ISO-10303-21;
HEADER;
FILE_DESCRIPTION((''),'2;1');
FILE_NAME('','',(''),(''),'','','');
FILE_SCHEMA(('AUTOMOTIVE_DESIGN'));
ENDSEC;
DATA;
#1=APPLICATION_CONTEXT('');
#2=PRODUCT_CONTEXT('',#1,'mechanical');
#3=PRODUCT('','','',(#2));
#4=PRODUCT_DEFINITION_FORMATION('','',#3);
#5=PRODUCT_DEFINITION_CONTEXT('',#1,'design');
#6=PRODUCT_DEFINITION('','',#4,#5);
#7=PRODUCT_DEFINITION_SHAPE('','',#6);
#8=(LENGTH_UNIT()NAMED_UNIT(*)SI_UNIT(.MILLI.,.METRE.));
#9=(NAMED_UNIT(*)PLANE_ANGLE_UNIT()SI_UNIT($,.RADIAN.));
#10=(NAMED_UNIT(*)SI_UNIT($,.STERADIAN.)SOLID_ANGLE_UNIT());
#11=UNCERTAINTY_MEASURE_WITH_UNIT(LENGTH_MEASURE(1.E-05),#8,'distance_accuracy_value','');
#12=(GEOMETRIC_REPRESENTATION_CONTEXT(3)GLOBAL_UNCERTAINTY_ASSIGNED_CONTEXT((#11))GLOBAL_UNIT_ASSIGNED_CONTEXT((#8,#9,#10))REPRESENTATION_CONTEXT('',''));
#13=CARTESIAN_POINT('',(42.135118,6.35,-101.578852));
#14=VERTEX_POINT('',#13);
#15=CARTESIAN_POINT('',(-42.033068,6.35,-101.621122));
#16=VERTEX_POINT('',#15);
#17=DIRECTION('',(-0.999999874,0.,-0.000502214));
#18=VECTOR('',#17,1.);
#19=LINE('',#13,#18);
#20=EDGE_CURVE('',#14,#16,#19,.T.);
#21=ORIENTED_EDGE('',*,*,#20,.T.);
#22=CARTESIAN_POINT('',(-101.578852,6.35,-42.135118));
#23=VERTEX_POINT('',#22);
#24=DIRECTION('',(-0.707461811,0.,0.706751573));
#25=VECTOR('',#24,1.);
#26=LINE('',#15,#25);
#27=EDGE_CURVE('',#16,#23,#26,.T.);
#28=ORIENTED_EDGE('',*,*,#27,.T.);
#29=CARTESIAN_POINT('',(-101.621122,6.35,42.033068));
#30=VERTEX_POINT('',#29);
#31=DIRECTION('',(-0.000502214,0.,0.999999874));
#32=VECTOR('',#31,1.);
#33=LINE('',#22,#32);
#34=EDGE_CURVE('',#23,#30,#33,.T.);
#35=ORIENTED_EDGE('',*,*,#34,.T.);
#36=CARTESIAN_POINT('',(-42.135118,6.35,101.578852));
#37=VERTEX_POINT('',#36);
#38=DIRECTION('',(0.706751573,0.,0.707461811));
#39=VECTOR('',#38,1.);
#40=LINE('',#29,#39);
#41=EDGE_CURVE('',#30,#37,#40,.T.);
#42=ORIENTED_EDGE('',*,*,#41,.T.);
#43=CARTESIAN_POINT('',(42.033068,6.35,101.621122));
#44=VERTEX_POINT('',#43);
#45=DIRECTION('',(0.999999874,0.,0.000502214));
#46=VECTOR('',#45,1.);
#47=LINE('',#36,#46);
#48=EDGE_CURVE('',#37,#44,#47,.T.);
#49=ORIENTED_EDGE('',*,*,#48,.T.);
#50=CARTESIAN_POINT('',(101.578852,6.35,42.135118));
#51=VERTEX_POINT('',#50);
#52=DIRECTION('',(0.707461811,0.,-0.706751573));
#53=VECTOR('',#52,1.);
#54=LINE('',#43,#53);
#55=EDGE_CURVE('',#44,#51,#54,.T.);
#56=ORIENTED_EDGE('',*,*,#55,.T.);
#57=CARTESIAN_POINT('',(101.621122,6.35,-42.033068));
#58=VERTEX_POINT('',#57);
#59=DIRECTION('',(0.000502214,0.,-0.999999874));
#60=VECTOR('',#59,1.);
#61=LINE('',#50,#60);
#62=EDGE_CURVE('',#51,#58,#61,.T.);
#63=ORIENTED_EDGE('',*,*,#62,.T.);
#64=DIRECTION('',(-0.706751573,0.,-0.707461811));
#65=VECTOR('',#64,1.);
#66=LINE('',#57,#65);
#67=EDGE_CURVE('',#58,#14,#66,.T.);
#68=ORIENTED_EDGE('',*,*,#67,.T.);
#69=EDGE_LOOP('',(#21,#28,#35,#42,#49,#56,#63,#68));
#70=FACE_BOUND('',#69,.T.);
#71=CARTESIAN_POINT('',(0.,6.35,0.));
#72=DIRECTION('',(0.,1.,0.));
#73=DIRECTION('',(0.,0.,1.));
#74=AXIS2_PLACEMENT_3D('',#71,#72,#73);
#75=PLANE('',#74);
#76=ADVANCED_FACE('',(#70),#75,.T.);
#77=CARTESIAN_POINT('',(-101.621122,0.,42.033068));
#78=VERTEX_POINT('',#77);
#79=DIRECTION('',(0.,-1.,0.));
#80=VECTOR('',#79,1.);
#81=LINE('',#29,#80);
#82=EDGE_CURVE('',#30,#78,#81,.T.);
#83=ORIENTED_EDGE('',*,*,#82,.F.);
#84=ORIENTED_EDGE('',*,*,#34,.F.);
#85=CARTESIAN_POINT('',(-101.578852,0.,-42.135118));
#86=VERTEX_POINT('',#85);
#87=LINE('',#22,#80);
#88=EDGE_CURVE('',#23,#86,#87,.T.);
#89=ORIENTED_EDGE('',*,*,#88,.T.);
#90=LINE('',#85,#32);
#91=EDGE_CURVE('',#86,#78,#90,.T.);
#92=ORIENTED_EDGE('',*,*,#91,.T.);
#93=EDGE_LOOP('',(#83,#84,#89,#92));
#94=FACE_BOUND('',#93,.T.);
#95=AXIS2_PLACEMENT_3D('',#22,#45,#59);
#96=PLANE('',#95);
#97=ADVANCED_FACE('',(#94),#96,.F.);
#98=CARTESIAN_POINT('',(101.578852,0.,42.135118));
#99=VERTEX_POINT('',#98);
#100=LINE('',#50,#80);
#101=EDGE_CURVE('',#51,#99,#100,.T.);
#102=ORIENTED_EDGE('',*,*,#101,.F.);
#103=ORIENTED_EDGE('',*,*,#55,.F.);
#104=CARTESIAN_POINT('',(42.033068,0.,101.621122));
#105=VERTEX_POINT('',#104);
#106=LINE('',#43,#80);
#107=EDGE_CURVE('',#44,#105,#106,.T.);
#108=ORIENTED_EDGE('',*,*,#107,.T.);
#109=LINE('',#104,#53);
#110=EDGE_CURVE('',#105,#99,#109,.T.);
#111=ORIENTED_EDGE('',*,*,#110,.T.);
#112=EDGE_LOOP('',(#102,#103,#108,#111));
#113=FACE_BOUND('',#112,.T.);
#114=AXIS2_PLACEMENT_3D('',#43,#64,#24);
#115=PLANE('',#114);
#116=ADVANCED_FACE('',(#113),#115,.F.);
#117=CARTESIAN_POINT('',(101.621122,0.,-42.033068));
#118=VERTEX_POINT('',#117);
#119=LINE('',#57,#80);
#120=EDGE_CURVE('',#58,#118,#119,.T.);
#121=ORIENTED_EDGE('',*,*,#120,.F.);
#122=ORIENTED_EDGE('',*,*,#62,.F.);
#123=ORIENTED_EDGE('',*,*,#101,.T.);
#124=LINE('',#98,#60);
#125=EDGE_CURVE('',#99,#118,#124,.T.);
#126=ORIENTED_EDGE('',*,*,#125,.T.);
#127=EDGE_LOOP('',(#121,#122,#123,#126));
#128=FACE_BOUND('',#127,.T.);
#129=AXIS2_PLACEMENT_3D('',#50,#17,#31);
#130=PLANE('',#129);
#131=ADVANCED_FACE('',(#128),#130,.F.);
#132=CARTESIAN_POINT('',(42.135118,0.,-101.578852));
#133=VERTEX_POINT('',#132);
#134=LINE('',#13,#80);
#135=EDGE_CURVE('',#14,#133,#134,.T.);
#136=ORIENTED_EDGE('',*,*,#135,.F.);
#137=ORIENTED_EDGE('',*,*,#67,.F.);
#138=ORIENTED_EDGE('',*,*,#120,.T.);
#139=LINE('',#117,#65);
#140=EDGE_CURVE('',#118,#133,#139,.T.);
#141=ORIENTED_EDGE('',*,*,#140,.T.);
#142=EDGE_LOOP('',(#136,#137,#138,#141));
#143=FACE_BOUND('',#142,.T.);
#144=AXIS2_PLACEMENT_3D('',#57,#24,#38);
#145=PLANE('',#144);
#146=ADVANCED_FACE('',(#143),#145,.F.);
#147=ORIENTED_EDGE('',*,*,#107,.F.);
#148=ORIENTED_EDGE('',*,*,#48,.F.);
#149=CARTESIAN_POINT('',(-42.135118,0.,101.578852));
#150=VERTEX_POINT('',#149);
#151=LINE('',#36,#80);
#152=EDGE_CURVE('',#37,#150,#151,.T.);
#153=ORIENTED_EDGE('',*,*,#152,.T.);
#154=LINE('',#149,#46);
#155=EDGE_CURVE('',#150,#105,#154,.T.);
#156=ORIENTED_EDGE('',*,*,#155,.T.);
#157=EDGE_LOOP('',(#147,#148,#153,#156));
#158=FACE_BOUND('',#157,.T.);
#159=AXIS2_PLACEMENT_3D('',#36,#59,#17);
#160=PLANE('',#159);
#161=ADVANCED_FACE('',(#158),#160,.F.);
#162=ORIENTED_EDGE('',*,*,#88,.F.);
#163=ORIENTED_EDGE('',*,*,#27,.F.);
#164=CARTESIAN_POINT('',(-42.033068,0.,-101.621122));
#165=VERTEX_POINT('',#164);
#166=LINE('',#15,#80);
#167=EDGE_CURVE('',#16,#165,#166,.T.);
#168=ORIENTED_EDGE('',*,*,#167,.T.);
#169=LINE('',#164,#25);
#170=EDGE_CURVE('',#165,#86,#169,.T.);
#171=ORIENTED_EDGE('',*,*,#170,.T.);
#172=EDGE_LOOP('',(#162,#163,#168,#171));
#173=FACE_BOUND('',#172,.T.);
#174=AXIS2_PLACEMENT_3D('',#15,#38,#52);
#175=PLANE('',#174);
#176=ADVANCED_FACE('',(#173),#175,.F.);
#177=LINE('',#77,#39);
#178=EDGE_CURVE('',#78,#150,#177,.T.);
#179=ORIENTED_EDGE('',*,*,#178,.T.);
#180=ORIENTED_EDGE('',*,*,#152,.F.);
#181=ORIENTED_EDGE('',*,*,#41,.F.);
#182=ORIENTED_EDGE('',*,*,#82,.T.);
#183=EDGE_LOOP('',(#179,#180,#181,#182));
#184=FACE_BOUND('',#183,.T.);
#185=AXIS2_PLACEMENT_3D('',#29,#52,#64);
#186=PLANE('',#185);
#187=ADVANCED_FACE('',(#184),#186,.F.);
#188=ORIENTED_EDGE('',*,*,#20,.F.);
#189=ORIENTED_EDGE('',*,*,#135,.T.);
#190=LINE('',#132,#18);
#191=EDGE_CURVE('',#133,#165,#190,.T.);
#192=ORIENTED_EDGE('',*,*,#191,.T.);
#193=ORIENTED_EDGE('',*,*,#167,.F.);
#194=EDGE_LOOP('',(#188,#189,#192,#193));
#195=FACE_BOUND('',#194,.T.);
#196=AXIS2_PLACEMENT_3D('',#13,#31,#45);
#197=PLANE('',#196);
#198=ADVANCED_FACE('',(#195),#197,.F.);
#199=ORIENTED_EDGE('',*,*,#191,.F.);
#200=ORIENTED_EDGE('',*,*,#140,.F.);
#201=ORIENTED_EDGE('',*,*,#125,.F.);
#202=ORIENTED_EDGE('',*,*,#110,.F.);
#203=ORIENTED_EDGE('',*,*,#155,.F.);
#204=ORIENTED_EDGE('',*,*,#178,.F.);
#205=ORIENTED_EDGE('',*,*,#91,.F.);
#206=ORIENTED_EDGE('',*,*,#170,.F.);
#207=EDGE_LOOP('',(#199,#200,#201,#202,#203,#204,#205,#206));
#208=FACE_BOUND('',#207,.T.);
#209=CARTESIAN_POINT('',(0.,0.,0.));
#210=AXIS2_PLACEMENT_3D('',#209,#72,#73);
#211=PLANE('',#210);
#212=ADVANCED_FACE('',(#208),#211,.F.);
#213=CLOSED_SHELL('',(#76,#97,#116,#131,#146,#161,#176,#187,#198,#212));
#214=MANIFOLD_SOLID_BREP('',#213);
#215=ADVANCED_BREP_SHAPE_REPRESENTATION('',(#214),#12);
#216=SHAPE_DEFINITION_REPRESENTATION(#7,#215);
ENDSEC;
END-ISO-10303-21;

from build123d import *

# Parameters (mm, degrees)
BOSS_EXTRUDE3_DEPTH = 6.35


with BuildPart() as part:
    # Sketch2 → Boss-Extrude3 (new body)
    with BuildSketch(Plane(origin=(0, 0, 0), x_dir=(1, 0, 0), z_dir=(0, 1, 0))):
        Polygon((101.621122419, 42.033067667), (42.135117593, 101.578851956), (-42.033067667, 101.621122419), (-101.578851956, 42.135117593), (-101.621122419, -42.033067667), (-42.135117593, -101.578851956), (42.033067667, -101.621122419), (101.578851956, -42.135117593), align=None)
    extrude(amount=BOSS_EXTRUDE3_DEPTH)


solid = part.part
